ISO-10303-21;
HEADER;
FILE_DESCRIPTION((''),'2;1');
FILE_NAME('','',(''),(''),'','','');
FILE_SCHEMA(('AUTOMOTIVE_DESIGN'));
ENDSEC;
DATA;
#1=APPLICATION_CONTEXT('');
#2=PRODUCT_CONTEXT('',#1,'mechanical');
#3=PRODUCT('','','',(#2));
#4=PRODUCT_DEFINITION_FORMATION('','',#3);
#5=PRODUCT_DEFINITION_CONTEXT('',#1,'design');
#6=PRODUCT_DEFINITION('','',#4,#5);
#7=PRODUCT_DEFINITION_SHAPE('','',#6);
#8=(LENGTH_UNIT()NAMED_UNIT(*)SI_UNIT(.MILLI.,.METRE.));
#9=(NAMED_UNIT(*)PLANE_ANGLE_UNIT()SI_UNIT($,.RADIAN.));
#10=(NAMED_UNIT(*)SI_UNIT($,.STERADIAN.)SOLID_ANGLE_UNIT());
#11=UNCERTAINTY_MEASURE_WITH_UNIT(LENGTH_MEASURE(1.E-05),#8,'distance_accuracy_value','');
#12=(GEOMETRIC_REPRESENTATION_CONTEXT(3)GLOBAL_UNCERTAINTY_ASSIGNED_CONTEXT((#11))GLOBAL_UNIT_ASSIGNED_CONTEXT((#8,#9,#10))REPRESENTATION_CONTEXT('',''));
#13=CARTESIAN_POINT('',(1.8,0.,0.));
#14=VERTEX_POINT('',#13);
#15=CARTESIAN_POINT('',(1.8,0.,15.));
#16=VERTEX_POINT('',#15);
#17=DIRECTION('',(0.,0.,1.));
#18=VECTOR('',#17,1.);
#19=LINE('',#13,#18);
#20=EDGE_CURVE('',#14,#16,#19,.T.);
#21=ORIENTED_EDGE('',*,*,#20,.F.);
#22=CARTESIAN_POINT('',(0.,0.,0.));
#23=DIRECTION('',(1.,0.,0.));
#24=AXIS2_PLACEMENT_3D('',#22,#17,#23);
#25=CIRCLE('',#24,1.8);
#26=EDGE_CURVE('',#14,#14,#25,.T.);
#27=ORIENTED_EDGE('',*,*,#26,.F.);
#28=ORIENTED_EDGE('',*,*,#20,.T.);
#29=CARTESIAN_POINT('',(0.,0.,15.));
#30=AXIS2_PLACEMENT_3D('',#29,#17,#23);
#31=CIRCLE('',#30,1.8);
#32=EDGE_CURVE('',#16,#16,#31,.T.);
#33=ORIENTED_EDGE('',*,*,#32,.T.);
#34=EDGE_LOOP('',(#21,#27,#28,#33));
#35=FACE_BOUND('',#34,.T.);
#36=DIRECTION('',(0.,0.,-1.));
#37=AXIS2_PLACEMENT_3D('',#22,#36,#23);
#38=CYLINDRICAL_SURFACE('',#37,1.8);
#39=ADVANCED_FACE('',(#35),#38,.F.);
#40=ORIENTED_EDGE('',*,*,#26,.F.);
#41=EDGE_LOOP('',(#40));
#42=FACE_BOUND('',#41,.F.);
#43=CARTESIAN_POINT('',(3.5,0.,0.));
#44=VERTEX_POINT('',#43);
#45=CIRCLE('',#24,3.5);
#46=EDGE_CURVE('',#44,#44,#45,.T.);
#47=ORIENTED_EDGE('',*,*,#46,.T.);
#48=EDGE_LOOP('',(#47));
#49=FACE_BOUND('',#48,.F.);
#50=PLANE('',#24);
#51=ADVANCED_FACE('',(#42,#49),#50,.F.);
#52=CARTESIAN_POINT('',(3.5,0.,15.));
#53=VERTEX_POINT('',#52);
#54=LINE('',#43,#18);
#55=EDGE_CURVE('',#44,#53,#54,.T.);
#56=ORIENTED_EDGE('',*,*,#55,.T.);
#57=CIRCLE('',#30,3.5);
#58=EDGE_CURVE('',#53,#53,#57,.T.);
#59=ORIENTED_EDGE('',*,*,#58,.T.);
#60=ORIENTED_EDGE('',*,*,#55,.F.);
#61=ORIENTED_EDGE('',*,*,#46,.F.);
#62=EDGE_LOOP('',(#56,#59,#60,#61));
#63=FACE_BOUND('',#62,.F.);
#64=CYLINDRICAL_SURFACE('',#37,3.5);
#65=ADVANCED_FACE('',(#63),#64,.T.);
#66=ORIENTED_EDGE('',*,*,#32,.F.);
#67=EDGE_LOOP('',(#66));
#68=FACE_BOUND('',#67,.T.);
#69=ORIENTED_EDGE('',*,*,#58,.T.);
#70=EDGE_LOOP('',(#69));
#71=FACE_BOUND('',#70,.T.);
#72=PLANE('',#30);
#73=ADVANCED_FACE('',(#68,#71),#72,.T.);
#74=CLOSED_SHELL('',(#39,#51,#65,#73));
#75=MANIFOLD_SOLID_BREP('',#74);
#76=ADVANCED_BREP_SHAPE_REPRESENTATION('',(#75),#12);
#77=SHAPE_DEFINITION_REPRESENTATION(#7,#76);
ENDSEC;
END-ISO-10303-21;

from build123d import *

# Parameters (mm, degrees)
SZKIC1_R                    = 3.5
SZKIC1_R_2                  = 1.8
DODANIE_WYCI_GNI_CIE1_DEPTH = 15


with BuildPart() as part:
    # Szkic1 → Dodanie-wyciągnięcie1 (new body)
    with BuildSketch(Plane.XY):
        Circle(SZKIC1_R)
        Circle(SZKIC1_R_2, mode=Mode.SUBTRACT)
    extrude(amount=DODANIE_WYCI_GNI_CIE1_DEPTH)


solid = part.part
